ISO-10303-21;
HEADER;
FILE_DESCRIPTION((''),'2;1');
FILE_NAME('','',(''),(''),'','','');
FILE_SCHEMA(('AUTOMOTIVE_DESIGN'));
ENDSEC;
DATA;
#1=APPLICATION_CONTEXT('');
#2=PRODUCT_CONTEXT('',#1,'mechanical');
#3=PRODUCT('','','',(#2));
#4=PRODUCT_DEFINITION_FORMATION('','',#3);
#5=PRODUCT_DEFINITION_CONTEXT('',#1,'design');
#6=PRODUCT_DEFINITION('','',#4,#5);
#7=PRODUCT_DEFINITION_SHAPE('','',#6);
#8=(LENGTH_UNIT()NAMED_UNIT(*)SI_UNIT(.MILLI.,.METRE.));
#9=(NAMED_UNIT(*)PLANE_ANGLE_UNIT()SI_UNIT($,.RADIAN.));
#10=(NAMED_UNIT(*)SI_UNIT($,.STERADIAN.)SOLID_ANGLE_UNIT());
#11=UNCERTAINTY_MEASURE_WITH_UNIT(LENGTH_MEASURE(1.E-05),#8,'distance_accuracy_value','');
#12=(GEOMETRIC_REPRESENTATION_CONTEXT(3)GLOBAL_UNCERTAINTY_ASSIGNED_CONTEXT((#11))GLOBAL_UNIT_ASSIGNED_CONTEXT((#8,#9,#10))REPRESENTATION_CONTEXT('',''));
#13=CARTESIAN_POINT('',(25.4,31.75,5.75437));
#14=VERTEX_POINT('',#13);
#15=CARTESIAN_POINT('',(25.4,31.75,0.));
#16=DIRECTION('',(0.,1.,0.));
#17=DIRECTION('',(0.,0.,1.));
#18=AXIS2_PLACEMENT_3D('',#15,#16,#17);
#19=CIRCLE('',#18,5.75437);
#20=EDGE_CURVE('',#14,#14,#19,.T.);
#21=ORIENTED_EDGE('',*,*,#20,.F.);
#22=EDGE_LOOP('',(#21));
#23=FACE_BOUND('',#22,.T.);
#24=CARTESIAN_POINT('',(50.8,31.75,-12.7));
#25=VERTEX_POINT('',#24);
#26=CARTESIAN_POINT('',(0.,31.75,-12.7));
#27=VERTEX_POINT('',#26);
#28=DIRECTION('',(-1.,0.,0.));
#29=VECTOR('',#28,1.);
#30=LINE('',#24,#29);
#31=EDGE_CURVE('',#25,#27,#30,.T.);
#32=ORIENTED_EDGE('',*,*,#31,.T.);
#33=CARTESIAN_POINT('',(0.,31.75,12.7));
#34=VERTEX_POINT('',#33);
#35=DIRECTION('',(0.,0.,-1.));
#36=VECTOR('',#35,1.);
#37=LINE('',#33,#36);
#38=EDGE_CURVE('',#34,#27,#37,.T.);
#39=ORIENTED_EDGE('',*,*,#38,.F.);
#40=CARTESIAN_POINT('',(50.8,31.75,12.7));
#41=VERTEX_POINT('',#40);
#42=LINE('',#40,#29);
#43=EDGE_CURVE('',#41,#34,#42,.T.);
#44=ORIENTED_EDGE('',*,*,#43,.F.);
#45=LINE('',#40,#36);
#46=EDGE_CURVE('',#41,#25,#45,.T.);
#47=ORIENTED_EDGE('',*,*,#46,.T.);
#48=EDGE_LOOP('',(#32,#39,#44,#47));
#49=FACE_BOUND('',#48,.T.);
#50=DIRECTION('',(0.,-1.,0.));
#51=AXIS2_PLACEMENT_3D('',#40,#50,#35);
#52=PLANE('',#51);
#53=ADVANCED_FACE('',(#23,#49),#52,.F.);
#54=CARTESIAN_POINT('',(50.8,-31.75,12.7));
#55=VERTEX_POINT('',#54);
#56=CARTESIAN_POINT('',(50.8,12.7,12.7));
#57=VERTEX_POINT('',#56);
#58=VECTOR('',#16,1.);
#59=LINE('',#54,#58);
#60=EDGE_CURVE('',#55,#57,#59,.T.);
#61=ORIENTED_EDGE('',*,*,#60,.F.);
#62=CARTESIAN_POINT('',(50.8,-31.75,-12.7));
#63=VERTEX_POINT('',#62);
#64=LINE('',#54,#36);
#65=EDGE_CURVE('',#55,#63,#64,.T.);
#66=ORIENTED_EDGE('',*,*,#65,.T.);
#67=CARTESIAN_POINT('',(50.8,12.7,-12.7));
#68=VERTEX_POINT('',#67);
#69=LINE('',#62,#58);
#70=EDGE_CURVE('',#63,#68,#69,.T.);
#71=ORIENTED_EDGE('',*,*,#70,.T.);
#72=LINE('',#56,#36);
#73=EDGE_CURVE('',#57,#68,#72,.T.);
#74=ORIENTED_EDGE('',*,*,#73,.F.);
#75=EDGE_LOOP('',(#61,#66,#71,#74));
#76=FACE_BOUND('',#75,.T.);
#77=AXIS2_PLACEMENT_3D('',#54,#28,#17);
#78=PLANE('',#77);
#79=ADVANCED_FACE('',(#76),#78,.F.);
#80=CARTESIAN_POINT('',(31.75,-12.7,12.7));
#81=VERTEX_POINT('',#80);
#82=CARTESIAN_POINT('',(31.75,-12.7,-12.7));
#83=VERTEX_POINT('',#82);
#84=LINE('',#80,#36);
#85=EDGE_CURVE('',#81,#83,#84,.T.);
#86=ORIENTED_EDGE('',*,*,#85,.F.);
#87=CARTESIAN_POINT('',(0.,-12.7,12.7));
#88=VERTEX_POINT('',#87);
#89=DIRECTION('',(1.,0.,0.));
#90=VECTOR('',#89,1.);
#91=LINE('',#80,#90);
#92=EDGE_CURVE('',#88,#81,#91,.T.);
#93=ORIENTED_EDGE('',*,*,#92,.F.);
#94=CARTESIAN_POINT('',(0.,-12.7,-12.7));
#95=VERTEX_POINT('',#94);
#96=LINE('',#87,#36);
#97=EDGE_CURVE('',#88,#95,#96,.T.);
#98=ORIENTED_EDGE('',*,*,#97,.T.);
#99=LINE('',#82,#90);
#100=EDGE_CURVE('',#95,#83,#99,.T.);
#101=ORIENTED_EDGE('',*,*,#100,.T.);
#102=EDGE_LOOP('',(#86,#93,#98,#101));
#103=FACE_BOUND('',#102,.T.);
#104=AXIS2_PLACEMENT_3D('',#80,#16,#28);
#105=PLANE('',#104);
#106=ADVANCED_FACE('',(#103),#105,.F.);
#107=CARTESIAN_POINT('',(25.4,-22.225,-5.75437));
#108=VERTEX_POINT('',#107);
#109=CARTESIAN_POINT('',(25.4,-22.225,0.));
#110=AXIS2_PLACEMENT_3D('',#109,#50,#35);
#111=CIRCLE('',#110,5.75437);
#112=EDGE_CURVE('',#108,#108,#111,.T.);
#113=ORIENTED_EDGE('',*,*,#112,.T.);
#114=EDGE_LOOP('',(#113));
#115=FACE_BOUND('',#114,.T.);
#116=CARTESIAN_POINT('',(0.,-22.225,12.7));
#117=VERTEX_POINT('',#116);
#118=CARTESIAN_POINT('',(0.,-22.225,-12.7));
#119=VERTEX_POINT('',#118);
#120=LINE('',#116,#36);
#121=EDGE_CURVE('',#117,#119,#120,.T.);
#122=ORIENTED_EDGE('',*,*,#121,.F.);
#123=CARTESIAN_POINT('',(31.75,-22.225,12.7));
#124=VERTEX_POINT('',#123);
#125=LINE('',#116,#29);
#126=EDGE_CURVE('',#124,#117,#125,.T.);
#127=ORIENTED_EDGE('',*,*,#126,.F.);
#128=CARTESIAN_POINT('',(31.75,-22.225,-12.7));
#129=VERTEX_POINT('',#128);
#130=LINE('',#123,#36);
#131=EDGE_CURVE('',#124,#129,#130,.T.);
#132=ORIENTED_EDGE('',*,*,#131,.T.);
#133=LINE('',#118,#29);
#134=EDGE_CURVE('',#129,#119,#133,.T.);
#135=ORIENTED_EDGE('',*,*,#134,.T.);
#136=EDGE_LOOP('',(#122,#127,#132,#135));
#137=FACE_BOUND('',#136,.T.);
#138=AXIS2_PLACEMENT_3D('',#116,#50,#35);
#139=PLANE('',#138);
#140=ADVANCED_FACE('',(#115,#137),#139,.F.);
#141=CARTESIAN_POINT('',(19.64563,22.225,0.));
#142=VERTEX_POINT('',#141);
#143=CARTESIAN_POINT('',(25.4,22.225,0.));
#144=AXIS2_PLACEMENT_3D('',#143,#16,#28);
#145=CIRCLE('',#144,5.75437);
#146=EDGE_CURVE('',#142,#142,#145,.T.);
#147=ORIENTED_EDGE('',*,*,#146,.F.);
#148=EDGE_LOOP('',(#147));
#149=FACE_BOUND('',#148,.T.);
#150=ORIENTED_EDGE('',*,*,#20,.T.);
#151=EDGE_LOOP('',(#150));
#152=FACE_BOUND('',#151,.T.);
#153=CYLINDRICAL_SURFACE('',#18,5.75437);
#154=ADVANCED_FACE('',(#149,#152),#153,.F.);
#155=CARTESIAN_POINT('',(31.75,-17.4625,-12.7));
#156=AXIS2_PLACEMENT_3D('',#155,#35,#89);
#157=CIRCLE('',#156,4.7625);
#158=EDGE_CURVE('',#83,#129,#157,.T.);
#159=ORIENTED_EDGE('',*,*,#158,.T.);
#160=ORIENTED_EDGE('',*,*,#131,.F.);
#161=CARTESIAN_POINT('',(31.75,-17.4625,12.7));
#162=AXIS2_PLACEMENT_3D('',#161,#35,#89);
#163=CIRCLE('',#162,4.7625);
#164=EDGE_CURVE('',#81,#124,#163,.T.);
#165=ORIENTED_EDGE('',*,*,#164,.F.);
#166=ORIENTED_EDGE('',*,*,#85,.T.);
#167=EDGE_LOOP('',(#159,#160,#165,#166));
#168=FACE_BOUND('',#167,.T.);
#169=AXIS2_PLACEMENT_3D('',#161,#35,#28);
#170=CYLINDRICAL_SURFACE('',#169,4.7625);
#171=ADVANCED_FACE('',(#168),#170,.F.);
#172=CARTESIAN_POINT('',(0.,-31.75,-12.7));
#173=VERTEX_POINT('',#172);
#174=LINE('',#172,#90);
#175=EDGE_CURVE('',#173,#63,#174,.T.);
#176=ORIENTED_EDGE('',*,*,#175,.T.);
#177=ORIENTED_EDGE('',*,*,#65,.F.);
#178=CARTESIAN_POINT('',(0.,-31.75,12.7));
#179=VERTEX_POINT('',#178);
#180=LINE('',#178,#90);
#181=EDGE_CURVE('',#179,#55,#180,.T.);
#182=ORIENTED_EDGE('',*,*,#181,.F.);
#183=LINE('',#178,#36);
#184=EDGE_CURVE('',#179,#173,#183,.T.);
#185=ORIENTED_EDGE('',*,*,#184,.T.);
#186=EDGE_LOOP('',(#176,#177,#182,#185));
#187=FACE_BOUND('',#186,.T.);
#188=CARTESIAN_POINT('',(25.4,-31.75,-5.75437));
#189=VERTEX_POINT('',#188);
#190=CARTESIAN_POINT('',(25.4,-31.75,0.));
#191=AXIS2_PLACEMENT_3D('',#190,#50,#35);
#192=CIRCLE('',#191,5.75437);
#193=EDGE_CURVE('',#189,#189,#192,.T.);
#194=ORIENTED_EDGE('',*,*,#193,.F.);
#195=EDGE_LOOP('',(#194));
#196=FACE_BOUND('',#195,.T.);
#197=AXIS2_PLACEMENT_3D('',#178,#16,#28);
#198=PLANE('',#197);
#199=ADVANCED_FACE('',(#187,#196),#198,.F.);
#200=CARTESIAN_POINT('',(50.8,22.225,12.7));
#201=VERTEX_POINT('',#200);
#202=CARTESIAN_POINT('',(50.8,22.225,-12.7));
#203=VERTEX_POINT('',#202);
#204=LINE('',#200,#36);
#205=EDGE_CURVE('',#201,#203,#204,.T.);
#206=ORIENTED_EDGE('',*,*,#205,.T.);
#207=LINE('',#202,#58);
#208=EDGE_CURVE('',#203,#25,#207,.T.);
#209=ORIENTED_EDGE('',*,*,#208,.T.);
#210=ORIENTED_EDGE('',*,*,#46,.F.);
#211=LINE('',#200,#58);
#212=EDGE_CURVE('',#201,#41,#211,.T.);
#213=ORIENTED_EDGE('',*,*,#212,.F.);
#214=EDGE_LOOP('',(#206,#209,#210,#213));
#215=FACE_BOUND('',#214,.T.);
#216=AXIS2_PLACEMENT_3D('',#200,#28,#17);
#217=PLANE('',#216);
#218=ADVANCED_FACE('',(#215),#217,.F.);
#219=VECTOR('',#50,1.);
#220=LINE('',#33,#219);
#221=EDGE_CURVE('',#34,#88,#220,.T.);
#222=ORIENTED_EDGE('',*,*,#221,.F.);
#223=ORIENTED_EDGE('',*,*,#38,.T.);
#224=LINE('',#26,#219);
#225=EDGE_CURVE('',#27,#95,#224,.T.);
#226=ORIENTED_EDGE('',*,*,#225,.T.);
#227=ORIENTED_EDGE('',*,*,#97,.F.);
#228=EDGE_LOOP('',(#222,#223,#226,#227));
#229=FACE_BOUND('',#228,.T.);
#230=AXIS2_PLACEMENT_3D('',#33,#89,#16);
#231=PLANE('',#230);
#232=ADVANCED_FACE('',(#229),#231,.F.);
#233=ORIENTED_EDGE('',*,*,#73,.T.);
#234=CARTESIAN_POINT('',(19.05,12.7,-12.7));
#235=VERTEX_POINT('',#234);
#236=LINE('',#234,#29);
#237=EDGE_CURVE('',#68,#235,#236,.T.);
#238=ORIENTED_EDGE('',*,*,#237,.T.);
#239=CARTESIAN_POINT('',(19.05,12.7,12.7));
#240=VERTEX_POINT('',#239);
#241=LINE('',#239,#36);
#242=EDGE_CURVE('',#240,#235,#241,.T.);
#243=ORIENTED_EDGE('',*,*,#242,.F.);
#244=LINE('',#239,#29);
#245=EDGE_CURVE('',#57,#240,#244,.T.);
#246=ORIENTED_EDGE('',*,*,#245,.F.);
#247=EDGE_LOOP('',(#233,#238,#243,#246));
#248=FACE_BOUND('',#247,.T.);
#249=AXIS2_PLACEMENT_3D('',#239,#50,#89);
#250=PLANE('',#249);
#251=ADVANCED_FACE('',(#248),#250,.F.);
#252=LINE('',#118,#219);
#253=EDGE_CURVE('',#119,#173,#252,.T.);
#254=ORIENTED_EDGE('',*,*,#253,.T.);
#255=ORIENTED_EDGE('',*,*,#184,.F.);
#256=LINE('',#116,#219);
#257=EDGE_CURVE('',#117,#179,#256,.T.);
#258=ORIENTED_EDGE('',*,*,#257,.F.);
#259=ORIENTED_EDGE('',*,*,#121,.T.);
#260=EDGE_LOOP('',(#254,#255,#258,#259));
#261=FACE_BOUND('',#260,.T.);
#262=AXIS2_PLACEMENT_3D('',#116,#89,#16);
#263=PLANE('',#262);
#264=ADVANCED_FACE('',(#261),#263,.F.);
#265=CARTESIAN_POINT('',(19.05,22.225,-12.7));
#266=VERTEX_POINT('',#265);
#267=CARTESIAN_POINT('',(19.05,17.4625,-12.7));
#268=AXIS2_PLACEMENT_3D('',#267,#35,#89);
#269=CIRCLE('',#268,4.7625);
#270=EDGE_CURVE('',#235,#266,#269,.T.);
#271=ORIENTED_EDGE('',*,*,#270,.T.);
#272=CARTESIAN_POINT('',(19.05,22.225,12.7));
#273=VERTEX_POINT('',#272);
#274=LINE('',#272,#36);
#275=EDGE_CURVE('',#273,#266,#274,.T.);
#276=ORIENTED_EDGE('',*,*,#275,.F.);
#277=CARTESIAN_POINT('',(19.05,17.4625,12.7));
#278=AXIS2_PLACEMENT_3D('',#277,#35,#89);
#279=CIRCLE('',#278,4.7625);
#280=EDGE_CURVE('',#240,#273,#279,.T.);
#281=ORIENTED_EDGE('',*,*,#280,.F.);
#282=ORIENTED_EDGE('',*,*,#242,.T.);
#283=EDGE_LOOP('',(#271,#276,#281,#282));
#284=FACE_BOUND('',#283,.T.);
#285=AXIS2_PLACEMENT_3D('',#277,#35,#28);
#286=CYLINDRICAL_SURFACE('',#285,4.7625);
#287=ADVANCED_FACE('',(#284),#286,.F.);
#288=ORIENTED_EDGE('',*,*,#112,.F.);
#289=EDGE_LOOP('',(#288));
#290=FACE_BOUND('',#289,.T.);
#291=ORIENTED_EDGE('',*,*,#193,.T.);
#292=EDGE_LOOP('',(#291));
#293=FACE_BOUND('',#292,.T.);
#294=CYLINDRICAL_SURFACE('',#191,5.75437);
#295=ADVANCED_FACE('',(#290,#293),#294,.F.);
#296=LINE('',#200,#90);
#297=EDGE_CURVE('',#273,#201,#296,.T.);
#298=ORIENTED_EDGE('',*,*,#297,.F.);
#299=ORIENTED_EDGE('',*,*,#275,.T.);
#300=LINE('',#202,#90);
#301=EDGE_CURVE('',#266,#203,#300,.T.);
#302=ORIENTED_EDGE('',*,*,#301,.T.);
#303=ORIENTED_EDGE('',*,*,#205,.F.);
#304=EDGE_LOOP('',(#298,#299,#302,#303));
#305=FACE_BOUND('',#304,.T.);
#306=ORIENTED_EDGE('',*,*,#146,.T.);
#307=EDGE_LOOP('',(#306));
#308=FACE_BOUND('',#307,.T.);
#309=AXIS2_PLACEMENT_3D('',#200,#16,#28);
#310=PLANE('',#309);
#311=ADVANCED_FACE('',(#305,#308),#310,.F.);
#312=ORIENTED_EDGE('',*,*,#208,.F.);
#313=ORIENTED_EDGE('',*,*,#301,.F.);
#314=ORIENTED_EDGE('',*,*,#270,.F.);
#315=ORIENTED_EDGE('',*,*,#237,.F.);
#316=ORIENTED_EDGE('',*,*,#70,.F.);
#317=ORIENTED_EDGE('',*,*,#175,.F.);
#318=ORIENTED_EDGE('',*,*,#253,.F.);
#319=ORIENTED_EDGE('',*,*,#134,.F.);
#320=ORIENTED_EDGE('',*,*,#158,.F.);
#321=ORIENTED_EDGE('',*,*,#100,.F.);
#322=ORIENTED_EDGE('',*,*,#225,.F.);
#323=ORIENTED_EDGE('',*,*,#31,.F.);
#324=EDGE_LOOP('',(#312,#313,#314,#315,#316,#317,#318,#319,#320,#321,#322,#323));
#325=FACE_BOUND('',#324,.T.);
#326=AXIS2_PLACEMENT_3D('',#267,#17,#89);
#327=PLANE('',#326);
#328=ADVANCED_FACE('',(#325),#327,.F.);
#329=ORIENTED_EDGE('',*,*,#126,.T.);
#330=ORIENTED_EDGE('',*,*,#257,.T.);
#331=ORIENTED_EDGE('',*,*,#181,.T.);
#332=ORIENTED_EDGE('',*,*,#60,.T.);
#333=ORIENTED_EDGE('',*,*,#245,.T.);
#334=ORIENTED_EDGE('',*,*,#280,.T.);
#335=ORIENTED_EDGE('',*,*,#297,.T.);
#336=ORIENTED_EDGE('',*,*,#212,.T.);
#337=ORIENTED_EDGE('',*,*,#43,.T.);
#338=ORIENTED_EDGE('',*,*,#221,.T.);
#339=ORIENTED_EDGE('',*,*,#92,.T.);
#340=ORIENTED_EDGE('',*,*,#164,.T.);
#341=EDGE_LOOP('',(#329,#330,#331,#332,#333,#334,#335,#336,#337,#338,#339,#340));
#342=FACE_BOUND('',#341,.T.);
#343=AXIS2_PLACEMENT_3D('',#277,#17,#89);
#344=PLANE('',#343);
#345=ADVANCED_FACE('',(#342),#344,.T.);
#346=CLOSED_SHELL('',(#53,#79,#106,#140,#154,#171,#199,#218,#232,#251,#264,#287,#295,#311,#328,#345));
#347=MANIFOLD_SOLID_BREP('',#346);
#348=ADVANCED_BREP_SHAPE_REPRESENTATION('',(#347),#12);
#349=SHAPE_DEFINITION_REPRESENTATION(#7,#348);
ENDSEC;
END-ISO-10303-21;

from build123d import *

# Parameters (mm, degrees)
BOSS_EXTRUDE1_DEPTH         = 12.7
F_1_2_20_TAPPED_HOLE1_D     = 11.50874
F_1_2_20_TAPPED_HOLE1_DEPTH = 9.525


with BuildPart() as part:
    # Sketch2 → Boss-Extrude1 (new, symmetric)
    with BuildSketch(Plane.XY):
        with BuildLine():
            Line((0, -31.75), (50.8, -31.75))
            Line((50.8, -31.75), (50.8, 12.7))
            Line((50.8, 12.7), (19.05, 12.7))
            ThreePointArc((19.05, 12.7), (14.2875, 17.4625), (19.05, 22.225))
            Line((19.05, 22.225), (50.8, 22.225))
            Line((50.8, 22.225), (50.8, 31.75))
            Line((50.8, 31.75), (0, 31.75))
            Line((0, 31.75), (0, -12.7))
            Line((0, -12.7), (31.75, -12.7))
            ThreePointArc((31.75, -12.7), (36.5125, -17.4625), (31.75, -22.225))
            Line((31.75, -22.225), (0, -22.225))
            Line((0, -22.225), (0, -31.75))
        make_face()
    extrude(amount=BOSS_EXTRUDE1_DEPTH, both=True)

    # 1/2-20 Tapped Hole1
    with Locations(Plane(origin=(0, 31.75, 0), x_dir=(1, 0, 0), z_dir=(0, 1, 0))):
        with Locations((25.4, 0)):
            f_1_2_20_tapped_hole1 = Hole(F_1_2_20_TAPPED_HOLE1_D / 2, depth=F_1_2_20_TAPPED_HOLE1_DEPTH)

    # Mirror1: 1/2-20 Tapped Hole1 across plane
    add(f_1_2_20_tapped_hole1.mirror(Plane.ZX), mode=Mode.SUBTRACT)


solid = part.part
